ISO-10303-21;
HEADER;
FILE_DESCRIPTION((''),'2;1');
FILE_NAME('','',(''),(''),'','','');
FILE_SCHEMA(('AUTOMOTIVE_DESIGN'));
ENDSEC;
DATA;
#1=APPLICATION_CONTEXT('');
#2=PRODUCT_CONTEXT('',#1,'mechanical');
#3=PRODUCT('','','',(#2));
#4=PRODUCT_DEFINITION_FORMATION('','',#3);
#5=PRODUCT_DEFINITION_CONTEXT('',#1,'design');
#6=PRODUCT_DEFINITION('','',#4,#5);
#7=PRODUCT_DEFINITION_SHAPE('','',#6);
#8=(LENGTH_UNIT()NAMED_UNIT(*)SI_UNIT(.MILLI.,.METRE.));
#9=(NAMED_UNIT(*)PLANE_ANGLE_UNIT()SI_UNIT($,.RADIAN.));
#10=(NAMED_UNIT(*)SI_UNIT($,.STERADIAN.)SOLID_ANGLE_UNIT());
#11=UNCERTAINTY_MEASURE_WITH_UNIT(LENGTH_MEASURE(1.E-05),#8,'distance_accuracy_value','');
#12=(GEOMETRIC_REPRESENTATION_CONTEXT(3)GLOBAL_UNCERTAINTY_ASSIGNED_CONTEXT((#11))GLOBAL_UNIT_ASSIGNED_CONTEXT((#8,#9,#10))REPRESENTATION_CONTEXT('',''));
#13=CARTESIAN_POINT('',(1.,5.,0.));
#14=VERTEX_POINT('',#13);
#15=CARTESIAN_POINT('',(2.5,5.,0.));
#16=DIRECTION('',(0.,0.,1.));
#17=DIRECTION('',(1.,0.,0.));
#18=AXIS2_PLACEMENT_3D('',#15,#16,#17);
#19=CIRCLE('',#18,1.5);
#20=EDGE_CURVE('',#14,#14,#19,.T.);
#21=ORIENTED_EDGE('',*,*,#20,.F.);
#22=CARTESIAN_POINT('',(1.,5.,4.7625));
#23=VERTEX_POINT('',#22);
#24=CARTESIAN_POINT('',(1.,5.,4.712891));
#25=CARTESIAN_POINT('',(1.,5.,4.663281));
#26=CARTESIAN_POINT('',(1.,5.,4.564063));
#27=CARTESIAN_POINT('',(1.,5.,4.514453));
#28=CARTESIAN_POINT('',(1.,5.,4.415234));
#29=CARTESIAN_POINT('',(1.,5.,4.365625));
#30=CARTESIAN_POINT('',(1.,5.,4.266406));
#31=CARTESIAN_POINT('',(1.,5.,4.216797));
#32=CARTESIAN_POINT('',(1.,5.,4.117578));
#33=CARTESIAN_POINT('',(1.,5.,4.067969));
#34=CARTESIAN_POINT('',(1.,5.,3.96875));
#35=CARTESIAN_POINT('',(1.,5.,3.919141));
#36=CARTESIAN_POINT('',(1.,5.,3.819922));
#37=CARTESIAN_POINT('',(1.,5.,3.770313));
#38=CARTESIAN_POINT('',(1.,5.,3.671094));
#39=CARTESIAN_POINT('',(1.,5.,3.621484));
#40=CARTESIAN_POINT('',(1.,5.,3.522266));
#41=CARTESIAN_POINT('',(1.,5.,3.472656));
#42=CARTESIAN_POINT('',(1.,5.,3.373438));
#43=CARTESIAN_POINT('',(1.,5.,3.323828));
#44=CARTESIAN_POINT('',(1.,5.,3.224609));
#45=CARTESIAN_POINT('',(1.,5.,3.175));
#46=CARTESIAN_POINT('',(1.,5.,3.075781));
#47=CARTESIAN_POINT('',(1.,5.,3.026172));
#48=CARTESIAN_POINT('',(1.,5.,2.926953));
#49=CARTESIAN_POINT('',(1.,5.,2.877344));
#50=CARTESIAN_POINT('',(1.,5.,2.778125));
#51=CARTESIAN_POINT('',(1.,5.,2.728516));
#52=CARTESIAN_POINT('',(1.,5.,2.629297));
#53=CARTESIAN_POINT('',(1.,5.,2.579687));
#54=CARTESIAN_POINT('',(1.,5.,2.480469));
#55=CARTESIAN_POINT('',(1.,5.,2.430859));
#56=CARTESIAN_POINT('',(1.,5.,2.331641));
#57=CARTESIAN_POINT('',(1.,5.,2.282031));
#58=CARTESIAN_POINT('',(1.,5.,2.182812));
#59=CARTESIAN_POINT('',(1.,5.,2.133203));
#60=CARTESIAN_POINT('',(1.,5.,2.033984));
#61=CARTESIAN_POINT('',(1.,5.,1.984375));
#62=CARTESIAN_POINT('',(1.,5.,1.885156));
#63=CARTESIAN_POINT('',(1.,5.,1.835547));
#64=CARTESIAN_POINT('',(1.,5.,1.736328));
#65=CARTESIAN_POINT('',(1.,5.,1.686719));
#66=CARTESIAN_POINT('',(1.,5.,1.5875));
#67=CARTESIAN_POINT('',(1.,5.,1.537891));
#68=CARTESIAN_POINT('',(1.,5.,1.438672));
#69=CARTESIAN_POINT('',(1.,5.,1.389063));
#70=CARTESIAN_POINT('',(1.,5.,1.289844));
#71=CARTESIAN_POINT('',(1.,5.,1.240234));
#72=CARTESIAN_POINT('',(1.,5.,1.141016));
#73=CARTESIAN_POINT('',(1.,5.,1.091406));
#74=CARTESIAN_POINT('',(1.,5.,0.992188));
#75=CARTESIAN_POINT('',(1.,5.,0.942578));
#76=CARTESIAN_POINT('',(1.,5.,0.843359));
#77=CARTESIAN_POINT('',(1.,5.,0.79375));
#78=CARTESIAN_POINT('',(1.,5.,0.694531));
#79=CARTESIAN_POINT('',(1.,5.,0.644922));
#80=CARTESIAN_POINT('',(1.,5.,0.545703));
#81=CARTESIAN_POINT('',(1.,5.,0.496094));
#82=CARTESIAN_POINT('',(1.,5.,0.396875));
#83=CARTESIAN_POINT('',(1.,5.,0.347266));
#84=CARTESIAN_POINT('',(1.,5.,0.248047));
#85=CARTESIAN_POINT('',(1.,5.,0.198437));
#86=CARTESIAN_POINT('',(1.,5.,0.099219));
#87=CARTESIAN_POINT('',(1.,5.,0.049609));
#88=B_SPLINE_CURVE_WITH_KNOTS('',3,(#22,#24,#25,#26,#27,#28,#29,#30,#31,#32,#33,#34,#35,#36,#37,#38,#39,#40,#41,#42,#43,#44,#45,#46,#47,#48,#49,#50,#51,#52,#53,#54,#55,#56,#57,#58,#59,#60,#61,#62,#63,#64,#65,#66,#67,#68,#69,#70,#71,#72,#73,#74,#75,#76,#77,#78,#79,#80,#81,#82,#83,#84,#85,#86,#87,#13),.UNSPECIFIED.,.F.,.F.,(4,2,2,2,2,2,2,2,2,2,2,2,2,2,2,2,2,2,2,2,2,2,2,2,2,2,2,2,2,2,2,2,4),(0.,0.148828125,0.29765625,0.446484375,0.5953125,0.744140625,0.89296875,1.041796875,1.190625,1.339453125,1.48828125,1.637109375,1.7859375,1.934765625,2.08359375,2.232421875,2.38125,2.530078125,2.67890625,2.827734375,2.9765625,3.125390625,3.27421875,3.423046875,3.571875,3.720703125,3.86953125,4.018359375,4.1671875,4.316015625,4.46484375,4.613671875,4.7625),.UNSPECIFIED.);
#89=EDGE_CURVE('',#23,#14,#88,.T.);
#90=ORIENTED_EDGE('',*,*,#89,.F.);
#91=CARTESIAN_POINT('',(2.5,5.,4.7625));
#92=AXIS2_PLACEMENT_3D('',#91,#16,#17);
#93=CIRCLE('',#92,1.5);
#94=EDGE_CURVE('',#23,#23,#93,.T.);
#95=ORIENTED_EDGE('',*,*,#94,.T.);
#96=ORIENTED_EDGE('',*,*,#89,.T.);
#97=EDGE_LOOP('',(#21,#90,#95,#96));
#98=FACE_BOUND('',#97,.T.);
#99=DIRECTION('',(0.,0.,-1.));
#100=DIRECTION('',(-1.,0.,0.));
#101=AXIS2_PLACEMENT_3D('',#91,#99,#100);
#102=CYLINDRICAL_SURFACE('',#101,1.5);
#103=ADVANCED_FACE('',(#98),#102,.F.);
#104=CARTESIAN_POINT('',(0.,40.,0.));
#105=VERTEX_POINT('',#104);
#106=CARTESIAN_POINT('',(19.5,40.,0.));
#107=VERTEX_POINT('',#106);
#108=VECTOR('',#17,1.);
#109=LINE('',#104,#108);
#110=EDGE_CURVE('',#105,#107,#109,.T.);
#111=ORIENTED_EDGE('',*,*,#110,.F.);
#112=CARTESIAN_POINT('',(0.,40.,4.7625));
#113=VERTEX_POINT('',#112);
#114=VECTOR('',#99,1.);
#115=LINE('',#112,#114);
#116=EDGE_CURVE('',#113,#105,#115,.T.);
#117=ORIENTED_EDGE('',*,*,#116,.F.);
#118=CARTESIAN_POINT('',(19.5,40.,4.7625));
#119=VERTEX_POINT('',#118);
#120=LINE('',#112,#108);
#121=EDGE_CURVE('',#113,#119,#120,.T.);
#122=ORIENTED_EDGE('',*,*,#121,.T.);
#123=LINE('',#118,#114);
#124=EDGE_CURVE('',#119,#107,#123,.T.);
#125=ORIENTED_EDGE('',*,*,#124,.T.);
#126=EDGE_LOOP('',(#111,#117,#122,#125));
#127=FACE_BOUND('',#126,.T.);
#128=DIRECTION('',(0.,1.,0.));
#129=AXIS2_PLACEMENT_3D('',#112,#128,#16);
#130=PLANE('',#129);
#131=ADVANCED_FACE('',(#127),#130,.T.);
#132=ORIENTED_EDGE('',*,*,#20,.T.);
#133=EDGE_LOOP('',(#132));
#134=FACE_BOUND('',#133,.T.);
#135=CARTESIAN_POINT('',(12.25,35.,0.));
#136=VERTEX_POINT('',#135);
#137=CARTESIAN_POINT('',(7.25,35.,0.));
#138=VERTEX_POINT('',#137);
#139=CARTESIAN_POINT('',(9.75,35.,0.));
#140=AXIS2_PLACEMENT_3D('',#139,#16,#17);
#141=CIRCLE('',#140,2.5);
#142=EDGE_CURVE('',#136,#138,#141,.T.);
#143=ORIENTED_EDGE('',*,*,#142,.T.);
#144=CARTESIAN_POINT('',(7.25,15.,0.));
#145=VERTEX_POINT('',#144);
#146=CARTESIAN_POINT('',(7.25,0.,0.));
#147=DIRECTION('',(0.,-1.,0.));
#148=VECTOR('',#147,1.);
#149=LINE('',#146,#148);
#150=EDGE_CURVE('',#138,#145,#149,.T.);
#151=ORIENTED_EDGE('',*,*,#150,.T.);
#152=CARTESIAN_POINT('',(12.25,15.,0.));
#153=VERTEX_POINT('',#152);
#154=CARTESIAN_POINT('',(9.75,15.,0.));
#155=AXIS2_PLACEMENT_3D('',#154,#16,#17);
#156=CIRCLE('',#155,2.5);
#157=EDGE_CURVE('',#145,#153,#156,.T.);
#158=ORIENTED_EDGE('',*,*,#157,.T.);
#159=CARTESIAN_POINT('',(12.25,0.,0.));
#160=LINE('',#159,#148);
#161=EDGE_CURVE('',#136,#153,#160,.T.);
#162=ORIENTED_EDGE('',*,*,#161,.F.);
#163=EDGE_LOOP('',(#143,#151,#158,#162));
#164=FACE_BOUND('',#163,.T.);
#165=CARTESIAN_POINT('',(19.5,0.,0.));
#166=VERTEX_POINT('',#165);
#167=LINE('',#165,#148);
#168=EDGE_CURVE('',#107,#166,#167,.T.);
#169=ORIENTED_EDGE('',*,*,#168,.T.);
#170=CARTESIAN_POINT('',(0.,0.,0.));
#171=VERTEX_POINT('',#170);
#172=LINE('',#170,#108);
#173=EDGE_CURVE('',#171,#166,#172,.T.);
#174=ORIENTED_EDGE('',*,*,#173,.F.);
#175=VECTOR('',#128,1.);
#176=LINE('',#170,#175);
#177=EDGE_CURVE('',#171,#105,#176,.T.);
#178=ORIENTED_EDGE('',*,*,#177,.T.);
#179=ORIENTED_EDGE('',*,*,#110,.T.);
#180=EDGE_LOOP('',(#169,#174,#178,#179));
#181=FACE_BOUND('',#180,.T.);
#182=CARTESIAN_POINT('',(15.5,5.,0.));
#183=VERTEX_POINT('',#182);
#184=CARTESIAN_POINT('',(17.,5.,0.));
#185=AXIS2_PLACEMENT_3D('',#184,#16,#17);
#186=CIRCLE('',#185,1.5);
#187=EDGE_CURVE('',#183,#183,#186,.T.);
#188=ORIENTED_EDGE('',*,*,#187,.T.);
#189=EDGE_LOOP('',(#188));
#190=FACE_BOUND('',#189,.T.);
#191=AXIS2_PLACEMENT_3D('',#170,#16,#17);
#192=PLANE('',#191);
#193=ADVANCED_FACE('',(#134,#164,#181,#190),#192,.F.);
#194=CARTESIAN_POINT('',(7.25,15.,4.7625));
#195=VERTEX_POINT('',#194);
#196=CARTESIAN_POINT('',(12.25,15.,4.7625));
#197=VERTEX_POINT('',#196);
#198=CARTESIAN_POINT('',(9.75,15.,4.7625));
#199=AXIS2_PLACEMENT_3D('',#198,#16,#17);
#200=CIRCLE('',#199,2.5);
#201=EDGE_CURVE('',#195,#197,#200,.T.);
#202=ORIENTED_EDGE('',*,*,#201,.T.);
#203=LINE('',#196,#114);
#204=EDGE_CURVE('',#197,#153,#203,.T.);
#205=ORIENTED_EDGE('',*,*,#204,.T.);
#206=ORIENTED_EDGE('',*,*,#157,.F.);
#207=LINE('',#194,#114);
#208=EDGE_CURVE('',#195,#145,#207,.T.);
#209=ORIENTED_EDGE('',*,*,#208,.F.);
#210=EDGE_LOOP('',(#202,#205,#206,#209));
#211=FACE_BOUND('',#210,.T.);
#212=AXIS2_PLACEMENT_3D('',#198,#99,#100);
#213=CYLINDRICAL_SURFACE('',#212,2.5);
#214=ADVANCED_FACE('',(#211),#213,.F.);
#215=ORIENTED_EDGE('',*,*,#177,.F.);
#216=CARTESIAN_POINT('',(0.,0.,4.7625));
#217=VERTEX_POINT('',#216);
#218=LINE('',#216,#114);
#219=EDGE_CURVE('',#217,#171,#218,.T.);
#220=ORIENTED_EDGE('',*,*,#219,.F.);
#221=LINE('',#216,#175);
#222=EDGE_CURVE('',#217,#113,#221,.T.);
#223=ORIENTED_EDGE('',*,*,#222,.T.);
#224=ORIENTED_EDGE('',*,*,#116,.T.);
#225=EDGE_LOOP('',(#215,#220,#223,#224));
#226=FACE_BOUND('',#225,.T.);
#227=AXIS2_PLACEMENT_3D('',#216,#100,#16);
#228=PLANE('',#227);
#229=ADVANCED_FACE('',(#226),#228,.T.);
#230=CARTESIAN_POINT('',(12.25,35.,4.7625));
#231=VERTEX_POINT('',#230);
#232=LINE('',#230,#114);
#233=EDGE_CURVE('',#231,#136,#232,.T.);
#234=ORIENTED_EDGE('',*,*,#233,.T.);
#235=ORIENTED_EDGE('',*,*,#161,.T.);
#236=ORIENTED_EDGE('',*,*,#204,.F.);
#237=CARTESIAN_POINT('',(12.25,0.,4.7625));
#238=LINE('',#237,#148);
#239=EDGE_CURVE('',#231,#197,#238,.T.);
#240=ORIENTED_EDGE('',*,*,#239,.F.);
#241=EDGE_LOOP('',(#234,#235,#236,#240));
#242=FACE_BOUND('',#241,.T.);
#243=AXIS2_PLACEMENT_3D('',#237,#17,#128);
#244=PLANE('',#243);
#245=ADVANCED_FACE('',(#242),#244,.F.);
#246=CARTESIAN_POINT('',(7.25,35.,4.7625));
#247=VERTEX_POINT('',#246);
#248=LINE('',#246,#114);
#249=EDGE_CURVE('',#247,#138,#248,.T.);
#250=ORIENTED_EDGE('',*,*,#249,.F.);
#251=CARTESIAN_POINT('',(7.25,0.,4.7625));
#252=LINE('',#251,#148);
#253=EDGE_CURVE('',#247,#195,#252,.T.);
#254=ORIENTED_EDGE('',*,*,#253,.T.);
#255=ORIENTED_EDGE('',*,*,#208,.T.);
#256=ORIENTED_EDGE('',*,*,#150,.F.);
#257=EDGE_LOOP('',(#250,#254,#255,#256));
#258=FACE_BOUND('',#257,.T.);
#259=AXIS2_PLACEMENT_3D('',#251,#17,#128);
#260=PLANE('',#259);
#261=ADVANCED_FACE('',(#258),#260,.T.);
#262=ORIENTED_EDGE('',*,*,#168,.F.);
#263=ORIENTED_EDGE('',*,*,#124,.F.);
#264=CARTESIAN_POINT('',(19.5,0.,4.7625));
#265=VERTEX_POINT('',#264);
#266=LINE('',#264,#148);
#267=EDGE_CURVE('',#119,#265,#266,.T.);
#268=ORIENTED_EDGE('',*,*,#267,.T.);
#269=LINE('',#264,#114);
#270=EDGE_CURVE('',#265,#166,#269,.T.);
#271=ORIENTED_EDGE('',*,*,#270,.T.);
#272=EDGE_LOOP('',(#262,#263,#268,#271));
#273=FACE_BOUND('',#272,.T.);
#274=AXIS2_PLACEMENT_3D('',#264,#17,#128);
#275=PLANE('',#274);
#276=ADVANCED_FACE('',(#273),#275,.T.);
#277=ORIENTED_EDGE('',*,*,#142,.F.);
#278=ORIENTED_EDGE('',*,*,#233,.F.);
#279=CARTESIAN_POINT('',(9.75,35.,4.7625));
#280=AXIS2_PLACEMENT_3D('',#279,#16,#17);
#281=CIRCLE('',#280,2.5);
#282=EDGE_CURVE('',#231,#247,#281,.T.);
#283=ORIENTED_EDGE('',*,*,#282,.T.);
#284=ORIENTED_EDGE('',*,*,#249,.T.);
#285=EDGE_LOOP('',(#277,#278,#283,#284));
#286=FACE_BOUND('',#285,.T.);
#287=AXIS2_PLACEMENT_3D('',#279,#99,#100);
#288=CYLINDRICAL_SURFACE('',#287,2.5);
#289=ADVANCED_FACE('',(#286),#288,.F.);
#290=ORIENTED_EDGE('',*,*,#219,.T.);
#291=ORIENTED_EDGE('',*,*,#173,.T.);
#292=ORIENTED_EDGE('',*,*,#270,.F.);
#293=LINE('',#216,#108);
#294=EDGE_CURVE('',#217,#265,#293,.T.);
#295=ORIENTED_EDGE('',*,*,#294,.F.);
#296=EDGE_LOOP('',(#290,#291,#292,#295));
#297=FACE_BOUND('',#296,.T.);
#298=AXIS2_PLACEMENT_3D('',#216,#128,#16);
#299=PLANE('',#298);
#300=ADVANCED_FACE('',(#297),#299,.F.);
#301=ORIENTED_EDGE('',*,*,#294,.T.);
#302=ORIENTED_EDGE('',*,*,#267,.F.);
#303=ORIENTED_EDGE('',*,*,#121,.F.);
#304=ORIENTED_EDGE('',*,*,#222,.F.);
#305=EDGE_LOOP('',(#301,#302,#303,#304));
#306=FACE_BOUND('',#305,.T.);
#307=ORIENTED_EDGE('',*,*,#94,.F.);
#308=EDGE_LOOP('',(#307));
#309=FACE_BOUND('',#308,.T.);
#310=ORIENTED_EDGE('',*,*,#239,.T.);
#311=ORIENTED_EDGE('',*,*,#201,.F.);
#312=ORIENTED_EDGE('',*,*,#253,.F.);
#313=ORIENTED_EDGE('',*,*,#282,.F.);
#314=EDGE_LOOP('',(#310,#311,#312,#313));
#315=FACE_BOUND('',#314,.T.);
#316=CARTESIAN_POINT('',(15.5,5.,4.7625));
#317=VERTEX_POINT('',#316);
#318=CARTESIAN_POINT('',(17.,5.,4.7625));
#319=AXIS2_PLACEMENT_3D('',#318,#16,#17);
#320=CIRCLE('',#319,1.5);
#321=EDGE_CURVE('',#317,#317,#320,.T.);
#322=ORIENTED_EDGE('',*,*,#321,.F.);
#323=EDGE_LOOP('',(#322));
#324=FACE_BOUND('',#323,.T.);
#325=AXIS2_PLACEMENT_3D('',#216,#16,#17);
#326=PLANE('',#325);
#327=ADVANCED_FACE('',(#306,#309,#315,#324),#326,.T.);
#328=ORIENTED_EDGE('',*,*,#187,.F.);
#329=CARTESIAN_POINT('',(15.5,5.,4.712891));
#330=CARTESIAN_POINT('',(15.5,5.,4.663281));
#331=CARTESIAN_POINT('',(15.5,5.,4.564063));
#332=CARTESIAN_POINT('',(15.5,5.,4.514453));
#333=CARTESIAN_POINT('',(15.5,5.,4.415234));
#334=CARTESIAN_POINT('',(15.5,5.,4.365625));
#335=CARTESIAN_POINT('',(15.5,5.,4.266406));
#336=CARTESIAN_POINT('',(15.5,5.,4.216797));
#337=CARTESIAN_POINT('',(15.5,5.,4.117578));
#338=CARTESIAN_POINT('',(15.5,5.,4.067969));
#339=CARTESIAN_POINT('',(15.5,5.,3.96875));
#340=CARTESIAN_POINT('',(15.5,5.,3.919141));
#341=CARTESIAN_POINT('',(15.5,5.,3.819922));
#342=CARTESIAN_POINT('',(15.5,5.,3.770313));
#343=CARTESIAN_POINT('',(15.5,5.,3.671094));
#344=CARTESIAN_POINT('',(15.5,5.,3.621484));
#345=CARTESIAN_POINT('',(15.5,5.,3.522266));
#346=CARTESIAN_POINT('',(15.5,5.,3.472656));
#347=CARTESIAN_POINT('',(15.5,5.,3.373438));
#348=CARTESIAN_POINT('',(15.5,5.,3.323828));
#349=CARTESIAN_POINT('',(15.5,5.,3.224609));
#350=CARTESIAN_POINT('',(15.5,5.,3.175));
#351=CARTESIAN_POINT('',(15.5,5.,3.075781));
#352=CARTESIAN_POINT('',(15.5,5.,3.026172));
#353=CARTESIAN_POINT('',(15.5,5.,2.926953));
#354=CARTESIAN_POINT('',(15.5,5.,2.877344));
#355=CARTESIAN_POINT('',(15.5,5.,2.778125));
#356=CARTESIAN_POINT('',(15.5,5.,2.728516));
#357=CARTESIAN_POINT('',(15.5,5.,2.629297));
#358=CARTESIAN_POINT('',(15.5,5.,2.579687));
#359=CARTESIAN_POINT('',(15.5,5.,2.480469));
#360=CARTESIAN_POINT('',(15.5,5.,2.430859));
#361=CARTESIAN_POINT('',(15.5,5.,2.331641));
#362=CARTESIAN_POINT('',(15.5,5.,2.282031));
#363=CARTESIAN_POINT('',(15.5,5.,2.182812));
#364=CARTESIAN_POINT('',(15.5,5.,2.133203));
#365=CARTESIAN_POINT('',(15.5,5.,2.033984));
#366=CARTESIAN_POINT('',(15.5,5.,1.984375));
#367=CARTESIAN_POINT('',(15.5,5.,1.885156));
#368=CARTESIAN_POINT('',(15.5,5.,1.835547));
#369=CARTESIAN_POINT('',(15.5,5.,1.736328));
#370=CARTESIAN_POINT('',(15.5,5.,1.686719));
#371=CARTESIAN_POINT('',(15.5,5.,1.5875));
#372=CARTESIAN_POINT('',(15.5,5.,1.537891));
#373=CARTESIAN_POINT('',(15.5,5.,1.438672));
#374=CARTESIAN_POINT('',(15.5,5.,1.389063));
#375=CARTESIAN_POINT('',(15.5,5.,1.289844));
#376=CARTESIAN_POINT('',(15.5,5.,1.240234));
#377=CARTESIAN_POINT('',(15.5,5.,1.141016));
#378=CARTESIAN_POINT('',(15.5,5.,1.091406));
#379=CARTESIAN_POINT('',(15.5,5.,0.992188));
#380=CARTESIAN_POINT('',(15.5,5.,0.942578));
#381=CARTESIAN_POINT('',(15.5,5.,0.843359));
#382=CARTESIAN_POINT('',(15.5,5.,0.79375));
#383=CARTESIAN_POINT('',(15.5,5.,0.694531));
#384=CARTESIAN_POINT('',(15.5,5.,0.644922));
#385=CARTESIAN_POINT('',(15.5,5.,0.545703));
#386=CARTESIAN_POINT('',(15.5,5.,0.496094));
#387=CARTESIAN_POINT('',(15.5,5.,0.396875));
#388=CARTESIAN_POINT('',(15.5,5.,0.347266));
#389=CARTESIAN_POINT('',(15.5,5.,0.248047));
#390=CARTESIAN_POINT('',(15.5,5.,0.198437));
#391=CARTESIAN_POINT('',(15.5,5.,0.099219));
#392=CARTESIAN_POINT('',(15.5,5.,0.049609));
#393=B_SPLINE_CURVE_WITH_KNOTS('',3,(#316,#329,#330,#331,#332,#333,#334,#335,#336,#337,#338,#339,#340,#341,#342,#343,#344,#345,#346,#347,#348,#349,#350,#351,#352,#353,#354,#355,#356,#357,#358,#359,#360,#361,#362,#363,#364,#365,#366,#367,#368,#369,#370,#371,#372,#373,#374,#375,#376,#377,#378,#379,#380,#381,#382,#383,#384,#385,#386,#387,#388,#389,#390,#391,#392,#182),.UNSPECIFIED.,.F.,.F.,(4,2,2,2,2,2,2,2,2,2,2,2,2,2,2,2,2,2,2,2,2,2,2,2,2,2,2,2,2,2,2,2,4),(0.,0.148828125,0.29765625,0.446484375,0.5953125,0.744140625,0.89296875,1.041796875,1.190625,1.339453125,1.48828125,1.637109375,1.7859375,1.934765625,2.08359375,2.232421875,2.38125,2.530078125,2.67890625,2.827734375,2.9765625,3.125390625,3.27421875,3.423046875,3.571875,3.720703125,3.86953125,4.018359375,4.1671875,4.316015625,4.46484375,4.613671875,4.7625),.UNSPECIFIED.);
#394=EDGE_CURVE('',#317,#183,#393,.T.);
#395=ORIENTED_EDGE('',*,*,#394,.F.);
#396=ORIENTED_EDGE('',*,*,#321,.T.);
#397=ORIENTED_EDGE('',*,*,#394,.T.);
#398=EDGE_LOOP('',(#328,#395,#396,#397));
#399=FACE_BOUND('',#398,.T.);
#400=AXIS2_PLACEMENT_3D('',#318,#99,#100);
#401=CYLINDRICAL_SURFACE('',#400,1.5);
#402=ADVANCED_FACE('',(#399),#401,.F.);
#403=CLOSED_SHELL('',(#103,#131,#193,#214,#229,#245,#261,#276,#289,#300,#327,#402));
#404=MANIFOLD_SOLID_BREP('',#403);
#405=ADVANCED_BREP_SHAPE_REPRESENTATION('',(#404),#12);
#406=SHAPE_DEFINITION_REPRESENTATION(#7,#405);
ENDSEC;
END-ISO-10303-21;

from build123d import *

# Parameters (mm, degrees)
SKETCH1_4_W         = 19.5
SKETCH1_4_H         = 40
SKETCH1_4_R         = 1.5
BOSS_EXTRUDE3_DEPTH = 4.7625


with BuildPart() as part:
    # Sketch1<4> → Boss-Extrude3 (new body)
    with BuildSketch(Plane.XY):
        with Locations((9.75, 20)):
            Rectangle(SKETCH1_4_W, SKETCH1_4_H)
        with Locations((2.5, 5)):
            Circle(SKETCH1_4_R, mode=Mode.SUBTRACT)
        with Locations((17, 5)):
            Circle(SKETCH1_4_R, mode=Mode.SUBTRACT)
        with BuildLine():
            ThreePointArc((12.25, 15), (9.749999989, 12.5), (7.25, 15.000000022))
            Line((7.25, 15.000000022), (7.25, 35))
            ThreePointArc((7.25, 35), (9.75, 37.5), (12.25, 35))
            Line((12.25, 35), (12.25, 15))
        make_face(mode=Mode.SUBTRACT)
    extrude(amount=BOSS_EXTRUDE3_DEPTH)


solid = part.part
